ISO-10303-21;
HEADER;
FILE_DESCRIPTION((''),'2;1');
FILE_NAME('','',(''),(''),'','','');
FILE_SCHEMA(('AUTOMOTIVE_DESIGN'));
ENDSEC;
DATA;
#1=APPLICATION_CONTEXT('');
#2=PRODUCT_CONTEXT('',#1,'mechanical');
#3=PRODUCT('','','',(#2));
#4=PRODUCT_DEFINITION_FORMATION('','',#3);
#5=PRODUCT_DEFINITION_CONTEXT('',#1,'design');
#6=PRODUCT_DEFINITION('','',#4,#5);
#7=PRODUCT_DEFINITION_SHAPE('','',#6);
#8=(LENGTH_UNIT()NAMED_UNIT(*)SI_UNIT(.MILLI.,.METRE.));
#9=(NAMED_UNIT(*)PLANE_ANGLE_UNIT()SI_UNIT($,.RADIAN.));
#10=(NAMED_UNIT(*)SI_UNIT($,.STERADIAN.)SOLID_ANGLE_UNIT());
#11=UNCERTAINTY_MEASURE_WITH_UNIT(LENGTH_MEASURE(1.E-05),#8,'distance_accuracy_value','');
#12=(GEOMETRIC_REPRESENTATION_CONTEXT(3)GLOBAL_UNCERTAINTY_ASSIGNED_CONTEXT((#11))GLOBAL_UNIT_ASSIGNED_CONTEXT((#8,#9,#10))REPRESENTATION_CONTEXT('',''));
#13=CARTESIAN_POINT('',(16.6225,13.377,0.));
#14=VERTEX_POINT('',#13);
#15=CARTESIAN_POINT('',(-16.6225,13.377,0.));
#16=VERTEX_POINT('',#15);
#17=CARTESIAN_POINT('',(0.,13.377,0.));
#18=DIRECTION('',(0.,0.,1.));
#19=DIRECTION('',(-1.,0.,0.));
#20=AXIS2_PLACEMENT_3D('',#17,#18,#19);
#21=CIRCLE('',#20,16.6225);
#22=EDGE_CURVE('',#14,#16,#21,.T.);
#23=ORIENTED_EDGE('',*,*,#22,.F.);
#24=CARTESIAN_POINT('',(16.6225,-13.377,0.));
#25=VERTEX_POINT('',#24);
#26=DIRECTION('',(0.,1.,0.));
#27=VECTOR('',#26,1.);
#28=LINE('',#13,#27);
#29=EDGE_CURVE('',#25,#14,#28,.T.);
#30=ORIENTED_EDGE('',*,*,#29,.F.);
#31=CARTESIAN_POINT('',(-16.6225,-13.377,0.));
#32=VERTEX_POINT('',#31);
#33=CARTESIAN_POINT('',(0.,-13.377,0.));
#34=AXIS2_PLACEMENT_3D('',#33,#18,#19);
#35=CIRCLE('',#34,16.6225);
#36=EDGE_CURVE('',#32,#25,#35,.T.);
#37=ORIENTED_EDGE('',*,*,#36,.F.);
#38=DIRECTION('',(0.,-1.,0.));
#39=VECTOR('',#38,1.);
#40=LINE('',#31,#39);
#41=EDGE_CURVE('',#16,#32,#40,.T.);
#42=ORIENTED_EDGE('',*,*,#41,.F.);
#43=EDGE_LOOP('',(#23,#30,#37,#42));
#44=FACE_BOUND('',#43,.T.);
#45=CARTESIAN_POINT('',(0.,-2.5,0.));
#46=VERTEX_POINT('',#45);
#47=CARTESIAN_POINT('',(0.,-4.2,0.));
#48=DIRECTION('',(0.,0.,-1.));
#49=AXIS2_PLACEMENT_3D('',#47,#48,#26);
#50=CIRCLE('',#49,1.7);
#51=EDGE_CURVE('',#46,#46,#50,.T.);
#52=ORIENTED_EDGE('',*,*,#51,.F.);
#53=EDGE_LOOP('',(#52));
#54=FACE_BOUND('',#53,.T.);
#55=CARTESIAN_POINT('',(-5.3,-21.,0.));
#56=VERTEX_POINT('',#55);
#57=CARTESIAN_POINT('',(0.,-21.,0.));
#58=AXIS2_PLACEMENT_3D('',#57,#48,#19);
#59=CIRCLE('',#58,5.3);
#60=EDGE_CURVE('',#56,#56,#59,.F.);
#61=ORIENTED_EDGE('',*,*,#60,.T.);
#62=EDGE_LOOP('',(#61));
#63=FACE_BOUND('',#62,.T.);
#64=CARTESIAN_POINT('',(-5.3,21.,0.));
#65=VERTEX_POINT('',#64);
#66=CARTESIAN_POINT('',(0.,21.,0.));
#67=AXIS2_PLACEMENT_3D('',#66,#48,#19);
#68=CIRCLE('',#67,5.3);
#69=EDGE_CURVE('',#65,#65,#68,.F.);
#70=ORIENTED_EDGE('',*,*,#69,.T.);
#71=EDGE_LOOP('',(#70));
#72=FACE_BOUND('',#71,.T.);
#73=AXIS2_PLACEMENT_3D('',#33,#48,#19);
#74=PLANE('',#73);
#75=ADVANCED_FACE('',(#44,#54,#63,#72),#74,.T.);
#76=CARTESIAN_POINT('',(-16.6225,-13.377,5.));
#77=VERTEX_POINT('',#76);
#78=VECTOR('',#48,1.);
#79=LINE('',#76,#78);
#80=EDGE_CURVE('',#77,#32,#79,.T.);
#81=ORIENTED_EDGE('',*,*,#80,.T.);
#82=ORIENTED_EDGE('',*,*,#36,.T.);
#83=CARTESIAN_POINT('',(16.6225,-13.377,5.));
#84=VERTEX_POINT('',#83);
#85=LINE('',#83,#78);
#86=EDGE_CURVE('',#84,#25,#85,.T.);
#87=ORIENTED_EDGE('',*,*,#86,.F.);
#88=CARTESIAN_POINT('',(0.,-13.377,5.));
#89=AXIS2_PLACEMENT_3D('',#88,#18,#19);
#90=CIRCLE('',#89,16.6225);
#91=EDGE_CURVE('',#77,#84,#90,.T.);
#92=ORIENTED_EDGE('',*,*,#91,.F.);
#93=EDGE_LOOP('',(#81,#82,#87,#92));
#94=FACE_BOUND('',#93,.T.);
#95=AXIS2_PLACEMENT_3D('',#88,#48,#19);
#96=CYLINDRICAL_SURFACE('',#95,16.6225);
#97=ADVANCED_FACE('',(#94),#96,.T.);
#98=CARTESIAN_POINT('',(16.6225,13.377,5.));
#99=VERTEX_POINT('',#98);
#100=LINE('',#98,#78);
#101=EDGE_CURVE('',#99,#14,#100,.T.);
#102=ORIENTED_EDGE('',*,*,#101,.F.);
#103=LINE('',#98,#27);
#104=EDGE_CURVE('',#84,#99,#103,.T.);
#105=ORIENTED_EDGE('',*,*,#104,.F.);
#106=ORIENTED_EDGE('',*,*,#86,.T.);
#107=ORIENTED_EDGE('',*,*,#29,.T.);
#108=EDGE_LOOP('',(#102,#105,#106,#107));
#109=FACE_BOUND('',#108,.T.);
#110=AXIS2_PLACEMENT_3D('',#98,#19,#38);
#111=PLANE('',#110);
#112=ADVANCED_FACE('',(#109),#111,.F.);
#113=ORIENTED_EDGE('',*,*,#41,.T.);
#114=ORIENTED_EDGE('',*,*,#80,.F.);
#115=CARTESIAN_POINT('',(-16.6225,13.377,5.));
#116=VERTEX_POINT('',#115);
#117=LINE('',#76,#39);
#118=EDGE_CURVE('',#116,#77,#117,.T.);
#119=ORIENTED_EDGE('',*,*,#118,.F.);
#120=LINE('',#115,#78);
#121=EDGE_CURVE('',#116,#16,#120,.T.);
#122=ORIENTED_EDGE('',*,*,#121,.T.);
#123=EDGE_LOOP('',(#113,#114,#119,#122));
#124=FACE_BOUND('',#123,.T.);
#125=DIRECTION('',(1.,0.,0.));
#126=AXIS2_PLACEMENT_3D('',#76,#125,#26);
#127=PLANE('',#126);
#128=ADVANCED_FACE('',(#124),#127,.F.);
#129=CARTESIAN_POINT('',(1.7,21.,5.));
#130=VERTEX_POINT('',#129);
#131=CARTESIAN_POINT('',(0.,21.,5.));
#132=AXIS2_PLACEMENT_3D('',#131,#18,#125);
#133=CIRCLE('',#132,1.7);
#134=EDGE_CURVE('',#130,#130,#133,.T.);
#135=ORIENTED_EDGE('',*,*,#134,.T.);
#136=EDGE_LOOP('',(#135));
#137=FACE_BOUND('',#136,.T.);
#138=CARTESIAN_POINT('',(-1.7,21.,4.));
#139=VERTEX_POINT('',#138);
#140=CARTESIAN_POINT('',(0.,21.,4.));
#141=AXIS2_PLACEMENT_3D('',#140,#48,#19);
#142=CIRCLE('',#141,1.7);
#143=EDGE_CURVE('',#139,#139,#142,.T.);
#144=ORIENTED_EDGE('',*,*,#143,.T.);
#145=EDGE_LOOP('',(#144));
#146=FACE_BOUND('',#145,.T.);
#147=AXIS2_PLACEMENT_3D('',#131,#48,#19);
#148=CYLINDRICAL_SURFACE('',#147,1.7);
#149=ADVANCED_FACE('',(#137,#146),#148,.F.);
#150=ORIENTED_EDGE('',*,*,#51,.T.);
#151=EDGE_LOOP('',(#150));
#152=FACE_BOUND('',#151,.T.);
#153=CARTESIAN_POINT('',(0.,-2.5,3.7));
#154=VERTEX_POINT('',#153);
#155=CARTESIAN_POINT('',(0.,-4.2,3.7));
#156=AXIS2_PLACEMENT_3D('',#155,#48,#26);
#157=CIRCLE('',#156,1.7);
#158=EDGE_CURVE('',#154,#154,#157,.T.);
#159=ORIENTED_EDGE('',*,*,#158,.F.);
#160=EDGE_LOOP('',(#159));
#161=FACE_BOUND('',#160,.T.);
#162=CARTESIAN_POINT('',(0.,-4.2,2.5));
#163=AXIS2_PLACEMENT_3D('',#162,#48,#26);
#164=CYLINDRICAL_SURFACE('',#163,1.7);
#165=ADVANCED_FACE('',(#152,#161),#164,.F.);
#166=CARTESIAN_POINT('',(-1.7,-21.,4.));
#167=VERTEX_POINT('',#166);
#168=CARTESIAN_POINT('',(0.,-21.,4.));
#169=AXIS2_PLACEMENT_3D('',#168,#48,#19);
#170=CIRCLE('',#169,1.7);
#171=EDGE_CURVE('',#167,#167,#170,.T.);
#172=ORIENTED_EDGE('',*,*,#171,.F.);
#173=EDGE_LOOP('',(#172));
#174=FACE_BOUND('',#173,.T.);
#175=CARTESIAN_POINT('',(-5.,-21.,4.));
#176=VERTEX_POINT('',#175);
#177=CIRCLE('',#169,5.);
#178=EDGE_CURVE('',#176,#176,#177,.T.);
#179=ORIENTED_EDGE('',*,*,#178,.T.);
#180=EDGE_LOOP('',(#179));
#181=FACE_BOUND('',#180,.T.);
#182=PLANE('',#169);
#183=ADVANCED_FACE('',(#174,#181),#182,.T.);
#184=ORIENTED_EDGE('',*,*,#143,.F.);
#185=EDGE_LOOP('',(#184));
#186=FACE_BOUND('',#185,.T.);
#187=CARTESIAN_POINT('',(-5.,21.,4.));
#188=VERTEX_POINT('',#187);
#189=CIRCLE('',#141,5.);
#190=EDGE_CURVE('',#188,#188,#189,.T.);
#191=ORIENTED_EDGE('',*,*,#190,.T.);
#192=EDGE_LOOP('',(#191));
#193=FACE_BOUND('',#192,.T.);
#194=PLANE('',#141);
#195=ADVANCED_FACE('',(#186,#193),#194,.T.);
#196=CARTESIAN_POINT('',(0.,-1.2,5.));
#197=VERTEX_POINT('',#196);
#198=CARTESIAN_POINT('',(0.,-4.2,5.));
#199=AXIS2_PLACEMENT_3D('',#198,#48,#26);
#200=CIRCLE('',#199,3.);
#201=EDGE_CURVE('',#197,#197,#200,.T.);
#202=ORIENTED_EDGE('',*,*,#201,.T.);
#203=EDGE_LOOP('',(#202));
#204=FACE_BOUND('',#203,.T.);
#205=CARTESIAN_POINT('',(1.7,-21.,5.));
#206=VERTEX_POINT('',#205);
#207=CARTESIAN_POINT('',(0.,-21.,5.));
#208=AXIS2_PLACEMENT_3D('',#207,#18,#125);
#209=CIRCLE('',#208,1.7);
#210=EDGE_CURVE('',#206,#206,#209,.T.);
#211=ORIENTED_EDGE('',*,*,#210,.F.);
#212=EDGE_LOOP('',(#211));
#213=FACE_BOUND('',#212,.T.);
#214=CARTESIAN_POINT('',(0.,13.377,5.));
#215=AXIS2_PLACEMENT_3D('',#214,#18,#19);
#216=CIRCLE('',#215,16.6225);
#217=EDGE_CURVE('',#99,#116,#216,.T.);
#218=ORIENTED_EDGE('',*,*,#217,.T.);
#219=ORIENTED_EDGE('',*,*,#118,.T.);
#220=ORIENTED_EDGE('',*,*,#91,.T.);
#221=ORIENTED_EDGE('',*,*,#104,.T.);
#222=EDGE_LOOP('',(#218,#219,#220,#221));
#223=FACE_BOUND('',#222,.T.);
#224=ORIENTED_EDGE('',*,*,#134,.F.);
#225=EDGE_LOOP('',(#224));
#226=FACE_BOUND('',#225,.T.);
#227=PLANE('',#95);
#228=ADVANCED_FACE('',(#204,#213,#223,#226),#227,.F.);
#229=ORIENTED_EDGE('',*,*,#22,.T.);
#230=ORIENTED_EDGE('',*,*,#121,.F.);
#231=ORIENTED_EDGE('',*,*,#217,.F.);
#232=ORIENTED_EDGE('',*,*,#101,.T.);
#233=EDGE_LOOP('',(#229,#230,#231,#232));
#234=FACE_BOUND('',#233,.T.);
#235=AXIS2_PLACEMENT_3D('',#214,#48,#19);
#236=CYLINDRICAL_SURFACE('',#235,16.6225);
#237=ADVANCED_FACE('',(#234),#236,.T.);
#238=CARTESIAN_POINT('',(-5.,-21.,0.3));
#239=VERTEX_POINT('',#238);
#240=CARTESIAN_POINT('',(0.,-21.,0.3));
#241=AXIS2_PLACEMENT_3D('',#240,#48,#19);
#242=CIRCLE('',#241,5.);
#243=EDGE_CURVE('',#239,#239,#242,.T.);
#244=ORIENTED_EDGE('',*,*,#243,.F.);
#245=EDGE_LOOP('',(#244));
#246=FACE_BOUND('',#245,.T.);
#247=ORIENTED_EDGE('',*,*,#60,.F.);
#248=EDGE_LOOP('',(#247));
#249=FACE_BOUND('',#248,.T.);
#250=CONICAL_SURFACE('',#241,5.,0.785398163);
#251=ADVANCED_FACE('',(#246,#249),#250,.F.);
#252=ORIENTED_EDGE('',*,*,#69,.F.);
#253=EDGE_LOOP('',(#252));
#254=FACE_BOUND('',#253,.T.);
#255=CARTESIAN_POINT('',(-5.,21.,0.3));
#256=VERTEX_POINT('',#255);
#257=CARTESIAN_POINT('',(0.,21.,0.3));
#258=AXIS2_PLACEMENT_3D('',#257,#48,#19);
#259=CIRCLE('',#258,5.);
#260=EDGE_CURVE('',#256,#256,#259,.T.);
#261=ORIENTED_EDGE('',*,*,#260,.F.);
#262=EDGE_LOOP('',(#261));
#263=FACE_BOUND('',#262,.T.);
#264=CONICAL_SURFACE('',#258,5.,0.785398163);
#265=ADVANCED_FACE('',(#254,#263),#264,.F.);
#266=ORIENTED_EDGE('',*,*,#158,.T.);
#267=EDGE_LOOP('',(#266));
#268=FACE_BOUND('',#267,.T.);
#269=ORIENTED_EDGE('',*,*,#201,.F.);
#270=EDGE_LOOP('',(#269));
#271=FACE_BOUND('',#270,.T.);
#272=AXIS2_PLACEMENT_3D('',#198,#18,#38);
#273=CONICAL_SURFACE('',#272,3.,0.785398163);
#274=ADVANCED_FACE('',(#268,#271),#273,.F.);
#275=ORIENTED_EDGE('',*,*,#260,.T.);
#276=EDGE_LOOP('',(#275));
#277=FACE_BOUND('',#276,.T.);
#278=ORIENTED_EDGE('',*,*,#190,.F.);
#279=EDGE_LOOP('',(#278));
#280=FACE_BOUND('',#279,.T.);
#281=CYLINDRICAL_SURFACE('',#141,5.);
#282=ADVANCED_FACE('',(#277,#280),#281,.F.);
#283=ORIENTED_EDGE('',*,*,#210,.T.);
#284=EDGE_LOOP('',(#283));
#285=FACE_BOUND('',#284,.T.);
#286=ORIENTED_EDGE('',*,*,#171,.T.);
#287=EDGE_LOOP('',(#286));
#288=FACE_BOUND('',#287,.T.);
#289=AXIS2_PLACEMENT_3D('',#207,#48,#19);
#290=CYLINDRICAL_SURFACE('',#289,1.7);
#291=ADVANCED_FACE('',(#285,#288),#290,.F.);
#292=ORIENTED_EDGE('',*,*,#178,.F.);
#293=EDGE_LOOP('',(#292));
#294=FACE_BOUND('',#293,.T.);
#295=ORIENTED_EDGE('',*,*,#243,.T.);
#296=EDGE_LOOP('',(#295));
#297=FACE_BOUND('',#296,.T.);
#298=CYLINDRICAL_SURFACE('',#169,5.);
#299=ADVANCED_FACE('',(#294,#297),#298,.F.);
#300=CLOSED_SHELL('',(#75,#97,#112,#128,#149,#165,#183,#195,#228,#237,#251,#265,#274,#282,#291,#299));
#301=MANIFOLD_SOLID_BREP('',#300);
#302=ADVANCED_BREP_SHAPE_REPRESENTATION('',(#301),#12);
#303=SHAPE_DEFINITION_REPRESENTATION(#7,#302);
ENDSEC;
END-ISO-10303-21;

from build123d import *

# Parameters (mm, degrees)
SKETCH1_R           = 1.7
BOSS_EXTRUDE1_DEPTH = 5
SKETCH3_R           = 5
CUT_EXTRUDE1_DEPTH  = 4
CHAMFER1_SIZE       = 0.3


with BuildPart() as part:
    # Sketch1 → Boss-Extrude1 (new body)
    with BuildSketch(Plane.XY):
        with BuildLine():
            Line((-16.6225, -13.377), (-16.6225, 13.377))
            ThreePointArc((-16.6225, 13.377), (0, 29.9995), (16.6225, 13.377))
            Line((16.6225, 13.377), (16.6225, -13.377))
            ThreePointArc((16.6225, -13.377), (0, -29.9995), (-16.6225, -13.377))
        make_face()
        with Locations((0, -21)):
            Circle(SKETCH1_R, mode=Mode.SUBTRACT)
        with Locations((0, 21)):
            Circle(SKETCH1_R, mode=Mode.SUBTRACT)
    extrude(amount=BOSS_EXTRUDE1_DEPTH)

    # Sketch2 → Cut-Revolve1 (revolve, cut)
    with BuildSketch(Plane(origin=(0, 0, 0), x_dir=(0, 0, -1), z_dir=(1, 0, 0)), mode=Mode.PRIVATE) as cut_revolve1_sk:
        Polygon((0, -4.2), (-5, -4.2), (-5, -7.2), (-3.7, -5.9), (0, -5.9), align=None)
    revolve(cut_revolve1_sk.sketch.rotate(Axis((0, -4.2, 2.5), (0, 0, 1)), 180), axis=Axis((0, -4.2, 2.5), (0, 0, 1)), mode=Mode.SUBTRACT)

    # Sketch3 → Cut-Extrude1 (cut)
    with BuildSketch(Plane(origin=(0, 0, 0), x_dir=(-1, 0, 0), z_dir=(0, 0, -1))):
        with Locations((0, 21)):
            Circle(SKETCH3_R)
        with Locations((0, -21)):
            Circle(SKETCH3_R)
    extrude(amount=-CUT_EXTRUDE1_DEPTH, mode=Mode.SUBTRACT)

    # Chamfer1
    chamfer1_edges = [part.edges().sort_by_distance(p)[0] for p in [
        (5, 21, 0),
        (5, -21, 0),
    ]]
    chamfer(chamfer1_edges, length=CHAMFER1_SIZE)


solid = part.part
